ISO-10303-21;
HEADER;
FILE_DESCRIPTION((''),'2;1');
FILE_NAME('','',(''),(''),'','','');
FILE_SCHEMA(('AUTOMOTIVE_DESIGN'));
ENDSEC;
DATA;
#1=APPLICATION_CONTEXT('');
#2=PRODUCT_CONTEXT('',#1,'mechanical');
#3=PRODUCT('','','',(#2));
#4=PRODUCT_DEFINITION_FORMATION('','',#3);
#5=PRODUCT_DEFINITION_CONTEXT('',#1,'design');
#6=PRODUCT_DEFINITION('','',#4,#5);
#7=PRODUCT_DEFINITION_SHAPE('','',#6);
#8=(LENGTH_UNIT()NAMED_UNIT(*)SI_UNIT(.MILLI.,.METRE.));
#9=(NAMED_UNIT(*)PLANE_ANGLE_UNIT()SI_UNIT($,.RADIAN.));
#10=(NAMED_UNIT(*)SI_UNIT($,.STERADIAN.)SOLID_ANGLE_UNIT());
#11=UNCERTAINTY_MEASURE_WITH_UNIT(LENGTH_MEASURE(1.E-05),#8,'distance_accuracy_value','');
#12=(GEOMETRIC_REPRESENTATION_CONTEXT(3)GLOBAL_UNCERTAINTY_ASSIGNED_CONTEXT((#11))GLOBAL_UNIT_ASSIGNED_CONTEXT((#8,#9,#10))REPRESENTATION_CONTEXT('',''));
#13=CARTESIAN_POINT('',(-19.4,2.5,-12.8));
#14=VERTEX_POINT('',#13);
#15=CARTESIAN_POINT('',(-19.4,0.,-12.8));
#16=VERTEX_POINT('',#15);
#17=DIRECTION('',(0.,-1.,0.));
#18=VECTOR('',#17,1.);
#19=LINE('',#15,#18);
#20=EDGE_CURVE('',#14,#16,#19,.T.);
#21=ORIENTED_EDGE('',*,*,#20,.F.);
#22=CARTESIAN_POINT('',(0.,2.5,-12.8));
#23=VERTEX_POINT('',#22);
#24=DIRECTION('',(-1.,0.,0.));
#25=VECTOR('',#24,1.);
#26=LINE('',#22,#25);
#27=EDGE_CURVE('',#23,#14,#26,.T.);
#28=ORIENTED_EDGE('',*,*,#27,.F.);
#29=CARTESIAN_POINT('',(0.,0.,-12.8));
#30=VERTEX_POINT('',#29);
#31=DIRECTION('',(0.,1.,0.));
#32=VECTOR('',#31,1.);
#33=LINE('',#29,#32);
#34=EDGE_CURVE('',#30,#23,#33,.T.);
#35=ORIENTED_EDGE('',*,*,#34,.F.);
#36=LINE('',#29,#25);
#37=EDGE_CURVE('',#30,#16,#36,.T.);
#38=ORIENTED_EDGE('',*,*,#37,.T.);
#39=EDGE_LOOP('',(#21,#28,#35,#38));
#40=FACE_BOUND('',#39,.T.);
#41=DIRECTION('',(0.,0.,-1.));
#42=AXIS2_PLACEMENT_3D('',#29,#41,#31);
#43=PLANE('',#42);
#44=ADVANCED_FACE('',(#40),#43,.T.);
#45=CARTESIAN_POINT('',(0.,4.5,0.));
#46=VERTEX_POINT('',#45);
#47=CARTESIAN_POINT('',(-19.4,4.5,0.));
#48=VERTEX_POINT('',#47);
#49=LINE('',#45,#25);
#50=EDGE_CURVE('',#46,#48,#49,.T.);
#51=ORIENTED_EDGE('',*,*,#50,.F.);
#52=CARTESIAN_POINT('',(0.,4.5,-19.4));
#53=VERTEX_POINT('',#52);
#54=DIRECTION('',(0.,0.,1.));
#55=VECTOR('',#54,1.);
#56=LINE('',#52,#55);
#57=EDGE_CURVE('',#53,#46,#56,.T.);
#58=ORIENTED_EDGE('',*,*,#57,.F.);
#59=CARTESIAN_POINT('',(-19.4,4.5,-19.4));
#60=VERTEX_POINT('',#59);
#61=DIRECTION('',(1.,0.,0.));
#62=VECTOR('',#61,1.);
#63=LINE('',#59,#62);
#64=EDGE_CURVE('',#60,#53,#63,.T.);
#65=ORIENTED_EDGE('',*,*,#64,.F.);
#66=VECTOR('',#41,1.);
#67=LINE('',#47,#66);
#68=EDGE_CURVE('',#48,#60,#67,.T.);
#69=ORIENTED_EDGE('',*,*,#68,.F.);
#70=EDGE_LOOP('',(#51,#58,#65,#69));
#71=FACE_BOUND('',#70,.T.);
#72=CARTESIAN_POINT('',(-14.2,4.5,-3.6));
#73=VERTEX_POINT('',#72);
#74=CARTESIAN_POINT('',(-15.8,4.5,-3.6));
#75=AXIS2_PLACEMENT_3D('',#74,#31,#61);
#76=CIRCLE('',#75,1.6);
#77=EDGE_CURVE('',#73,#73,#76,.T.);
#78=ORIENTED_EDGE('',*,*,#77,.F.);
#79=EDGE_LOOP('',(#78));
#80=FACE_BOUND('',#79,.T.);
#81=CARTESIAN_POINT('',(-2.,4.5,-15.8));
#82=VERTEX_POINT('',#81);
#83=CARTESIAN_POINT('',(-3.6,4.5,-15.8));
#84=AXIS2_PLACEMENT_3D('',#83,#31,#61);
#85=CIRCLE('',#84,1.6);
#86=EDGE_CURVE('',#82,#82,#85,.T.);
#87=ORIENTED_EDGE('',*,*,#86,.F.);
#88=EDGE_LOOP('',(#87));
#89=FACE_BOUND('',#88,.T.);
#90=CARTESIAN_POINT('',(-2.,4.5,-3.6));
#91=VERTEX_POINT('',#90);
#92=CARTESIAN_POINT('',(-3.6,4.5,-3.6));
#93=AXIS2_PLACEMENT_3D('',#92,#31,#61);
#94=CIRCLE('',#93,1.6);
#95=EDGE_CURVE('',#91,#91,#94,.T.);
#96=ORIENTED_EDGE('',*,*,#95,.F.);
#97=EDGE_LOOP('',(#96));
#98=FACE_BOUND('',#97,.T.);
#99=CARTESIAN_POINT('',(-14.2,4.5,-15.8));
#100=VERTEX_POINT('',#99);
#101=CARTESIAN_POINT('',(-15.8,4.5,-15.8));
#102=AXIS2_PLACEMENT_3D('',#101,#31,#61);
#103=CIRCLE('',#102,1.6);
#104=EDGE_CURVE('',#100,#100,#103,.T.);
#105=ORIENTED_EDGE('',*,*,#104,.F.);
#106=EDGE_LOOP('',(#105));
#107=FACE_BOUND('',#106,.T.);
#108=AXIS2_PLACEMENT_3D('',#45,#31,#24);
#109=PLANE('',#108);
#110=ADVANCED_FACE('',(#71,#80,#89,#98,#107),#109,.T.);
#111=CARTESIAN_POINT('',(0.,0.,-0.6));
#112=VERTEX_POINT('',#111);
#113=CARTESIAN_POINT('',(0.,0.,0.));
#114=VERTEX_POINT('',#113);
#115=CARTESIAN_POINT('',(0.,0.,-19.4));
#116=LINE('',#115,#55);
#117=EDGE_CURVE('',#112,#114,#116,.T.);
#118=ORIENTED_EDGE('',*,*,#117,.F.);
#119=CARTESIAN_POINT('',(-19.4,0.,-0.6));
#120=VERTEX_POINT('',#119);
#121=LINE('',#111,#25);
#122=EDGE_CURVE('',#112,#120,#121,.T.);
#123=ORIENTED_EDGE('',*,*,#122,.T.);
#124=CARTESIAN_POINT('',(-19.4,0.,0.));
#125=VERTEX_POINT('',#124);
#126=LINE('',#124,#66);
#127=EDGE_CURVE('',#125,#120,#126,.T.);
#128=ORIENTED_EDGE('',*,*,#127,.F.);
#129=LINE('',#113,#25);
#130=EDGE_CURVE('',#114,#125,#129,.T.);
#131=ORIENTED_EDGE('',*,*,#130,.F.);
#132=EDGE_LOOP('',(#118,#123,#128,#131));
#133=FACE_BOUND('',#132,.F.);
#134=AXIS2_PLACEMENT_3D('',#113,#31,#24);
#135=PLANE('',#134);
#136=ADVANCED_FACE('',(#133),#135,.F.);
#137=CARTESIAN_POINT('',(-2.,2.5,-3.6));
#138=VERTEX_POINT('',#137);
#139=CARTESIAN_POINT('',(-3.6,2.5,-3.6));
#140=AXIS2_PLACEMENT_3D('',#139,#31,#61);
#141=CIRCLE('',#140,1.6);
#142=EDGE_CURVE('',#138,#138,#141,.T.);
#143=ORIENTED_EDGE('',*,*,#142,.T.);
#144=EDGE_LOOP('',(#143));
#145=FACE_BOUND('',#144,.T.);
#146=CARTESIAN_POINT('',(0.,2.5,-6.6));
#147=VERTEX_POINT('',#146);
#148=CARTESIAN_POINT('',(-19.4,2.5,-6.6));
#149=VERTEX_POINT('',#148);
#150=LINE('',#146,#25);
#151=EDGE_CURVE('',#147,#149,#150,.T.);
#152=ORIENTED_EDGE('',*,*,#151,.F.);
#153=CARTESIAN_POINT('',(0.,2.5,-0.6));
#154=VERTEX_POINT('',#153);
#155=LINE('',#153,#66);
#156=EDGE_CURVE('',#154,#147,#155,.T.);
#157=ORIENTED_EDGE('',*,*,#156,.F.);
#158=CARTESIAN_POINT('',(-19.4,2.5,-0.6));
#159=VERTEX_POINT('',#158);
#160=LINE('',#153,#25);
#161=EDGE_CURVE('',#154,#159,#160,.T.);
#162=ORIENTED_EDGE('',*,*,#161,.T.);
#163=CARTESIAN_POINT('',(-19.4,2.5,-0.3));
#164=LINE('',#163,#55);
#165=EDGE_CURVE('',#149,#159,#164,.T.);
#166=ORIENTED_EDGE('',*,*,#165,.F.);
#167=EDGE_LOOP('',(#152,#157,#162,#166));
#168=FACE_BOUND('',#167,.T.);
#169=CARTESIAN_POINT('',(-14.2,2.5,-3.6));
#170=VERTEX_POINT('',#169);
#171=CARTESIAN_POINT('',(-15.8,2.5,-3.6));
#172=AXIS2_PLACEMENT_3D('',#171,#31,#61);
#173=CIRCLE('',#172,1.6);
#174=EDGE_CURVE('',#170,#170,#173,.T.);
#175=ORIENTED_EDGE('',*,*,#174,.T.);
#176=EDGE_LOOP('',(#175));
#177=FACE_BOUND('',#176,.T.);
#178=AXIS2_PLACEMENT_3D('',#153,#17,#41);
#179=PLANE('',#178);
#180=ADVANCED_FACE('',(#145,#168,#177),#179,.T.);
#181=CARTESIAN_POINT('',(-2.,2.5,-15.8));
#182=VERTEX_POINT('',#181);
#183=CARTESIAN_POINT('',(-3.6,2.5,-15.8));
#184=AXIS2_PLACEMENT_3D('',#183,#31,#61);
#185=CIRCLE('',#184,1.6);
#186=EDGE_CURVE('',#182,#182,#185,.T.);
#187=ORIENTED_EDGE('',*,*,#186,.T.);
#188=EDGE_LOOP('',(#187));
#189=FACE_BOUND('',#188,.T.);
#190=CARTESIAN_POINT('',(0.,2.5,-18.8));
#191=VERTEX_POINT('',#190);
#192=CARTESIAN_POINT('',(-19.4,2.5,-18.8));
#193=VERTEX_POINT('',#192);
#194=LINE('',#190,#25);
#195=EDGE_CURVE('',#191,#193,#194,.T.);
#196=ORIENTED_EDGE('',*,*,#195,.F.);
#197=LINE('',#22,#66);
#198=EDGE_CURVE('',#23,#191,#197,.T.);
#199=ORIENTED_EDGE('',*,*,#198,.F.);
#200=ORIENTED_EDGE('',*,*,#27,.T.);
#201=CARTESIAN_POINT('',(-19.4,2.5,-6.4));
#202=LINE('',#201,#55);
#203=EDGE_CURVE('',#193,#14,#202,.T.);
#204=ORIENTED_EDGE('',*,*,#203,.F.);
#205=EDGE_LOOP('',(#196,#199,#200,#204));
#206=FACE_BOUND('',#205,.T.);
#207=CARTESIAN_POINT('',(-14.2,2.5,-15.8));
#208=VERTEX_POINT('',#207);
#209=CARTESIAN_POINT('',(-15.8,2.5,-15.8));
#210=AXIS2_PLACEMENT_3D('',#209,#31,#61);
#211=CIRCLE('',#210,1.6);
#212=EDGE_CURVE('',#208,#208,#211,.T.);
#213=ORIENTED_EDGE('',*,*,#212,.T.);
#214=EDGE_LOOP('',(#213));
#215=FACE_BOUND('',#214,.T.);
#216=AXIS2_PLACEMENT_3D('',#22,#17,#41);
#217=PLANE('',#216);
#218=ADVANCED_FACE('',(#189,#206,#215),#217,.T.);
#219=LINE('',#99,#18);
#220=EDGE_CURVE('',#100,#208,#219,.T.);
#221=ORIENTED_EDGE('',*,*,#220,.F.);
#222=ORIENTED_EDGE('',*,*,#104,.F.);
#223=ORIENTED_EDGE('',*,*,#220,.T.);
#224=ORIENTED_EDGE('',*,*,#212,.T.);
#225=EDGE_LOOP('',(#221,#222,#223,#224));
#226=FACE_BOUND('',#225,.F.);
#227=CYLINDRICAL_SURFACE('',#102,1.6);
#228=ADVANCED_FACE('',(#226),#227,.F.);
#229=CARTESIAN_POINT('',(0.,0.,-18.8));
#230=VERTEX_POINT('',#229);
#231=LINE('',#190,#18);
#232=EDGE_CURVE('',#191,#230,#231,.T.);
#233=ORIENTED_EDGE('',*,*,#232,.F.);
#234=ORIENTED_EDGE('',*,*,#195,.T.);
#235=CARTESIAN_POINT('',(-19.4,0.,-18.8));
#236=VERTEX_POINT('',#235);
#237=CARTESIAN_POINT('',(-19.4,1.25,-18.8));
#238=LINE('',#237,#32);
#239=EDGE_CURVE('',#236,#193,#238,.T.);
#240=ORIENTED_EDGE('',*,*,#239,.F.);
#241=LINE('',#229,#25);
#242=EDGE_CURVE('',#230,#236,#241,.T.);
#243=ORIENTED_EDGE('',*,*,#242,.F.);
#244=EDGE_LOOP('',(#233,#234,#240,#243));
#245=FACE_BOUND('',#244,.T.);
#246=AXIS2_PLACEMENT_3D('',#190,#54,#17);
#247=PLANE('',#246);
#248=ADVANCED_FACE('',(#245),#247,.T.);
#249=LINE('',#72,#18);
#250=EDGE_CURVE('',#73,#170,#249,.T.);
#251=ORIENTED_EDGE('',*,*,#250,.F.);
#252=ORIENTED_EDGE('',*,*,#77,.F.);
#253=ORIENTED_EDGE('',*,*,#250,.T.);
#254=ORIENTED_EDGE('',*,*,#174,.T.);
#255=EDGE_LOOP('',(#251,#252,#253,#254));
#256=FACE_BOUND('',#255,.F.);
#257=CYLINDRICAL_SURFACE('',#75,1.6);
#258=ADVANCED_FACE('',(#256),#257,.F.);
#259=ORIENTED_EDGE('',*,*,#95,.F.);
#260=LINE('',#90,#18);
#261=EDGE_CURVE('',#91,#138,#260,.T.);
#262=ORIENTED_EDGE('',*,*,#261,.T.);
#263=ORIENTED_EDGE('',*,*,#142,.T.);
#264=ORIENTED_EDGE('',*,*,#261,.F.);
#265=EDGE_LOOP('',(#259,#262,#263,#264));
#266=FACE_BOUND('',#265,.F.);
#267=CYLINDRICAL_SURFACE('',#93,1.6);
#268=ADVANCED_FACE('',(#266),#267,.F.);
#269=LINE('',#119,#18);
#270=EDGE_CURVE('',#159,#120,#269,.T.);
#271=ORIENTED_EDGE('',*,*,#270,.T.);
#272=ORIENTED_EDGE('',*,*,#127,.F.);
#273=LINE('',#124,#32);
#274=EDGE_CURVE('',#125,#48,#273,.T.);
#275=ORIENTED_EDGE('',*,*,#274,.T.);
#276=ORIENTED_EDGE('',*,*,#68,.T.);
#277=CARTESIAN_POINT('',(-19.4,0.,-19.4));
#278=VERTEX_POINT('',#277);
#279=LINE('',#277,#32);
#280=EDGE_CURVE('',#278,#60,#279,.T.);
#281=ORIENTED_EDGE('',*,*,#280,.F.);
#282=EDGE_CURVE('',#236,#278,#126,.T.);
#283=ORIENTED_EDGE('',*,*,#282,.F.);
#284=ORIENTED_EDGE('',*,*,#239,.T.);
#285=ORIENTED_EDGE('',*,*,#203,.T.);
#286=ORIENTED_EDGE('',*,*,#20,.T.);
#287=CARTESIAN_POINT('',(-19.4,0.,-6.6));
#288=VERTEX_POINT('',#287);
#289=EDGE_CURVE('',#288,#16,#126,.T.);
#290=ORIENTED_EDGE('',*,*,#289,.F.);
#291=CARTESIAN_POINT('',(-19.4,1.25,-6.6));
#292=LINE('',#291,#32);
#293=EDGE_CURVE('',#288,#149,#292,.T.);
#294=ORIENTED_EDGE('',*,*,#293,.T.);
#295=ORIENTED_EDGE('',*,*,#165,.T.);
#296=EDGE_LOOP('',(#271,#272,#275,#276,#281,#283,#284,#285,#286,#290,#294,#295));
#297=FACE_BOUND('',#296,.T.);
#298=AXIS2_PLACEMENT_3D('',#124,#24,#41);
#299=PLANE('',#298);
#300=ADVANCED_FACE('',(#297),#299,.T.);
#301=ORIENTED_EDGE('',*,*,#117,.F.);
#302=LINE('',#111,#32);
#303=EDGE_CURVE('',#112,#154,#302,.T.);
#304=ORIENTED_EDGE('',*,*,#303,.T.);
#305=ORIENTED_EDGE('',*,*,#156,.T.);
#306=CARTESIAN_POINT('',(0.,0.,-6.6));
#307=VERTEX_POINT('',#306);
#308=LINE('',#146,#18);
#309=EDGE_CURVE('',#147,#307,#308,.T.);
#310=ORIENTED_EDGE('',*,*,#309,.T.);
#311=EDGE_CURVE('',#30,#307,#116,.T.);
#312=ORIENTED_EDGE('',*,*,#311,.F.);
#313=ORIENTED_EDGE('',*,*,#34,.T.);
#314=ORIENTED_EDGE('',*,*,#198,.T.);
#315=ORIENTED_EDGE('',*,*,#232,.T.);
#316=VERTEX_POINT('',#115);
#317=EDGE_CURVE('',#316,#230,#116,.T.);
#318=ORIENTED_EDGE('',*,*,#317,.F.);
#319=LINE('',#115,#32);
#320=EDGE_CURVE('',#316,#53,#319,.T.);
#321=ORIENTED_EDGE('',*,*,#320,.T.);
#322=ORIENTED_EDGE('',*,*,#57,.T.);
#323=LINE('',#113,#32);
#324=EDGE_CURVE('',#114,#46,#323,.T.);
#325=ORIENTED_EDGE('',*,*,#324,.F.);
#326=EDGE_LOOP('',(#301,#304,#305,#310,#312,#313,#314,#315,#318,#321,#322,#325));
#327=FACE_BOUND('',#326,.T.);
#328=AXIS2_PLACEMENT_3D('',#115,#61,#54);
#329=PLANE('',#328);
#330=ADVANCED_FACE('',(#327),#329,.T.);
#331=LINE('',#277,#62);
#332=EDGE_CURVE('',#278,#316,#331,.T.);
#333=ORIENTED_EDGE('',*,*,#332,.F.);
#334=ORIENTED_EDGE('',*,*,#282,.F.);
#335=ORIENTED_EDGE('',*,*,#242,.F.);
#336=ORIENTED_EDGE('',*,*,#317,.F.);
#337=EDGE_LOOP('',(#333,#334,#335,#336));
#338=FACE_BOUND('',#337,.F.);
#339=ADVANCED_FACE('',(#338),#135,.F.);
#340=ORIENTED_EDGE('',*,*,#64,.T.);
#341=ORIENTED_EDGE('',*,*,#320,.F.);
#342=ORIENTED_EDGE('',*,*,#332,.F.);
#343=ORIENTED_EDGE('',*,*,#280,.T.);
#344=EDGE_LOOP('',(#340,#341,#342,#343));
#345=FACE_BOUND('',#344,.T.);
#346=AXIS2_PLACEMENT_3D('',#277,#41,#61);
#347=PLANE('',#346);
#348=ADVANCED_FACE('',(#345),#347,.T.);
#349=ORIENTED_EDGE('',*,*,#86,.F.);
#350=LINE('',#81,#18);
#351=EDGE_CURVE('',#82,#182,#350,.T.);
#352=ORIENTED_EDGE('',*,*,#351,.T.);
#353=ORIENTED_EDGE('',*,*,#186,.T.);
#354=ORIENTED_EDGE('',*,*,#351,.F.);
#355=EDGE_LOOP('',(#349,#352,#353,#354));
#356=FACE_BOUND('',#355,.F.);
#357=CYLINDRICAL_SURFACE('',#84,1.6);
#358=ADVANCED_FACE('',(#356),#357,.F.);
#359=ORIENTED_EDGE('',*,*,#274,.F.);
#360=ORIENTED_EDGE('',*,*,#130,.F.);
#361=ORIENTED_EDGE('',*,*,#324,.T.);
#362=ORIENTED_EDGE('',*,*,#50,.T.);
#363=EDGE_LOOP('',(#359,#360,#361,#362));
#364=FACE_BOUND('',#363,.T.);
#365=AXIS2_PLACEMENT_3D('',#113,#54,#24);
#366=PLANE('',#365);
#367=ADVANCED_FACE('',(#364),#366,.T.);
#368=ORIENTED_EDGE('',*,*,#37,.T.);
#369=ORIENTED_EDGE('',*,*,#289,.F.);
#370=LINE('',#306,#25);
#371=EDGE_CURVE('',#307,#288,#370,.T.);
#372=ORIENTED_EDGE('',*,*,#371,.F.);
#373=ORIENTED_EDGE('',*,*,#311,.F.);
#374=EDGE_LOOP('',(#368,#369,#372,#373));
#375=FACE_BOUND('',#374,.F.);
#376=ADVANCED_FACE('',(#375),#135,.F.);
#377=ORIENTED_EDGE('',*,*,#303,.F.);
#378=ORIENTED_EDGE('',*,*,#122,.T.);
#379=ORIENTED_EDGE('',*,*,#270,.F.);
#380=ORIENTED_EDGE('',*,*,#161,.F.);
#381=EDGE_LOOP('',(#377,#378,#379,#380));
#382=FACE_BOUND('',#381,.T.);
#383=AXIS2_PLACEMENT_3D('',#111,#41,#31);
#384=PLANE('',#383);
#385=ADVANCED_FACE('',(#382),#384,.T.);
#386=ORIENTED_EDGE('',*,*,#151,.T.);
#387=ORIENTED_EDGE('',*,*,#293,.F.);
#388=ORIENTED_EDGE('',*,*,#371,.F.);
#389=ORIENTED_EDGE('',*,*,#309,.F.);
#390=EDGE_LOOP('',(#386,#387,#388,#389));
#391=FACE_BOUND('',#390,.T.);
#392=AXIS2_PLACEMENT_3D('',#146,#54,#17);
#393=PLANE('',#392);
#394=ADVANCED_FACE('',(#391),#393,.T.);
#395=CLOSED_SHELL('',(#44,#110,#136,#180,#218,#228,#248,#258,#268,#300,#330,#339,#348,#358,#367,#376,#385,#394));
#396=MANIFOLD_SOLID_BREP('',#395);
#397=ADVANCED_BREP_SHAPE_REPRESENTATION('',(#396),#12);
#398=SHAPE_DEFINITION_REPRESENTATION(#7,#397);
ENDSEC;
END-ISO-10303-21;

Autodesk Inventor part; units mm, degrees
ref_plane "YZ Plane" through (0, 0, 0) normal (1, 0, 0) x (0, 1, 0)
ref_plane "XZ Plane" through (0, 0, 0) normal (0, 1, 0) x (-1, 0, 0)
ref_plane "XY Plane" through (0, 0, 0) normal (0, 0, 1) x (1, 0, 0)
sketch "Sketch1" plane through (0, 0, 0) normal (0, 1, 0) x (-1, 0, 0)
  line L0 (0, 0) -> (19.4, 0)
  line L1 (19.4, 0) -> (19.4, -19.4)
  line L2 (19.4, -19.4) -> (0, -19.4)
  line L3 (0, -19.4) -> (0, 0)
  dimension "d0" = 19.4
  dimension "d1" = 19.4
extrude "Extrusion1" add sketch "Sketch1" along normal blind 4.5
sketch "Sketch2" plane through (0, 4.5, 0) normal (0, 1, 0) x (1, 0, 0)
  circle A0 centre (-3.6, 3.6) radius 1.6
  line L0 (-19.4, 0) -> (0, 0) projected
  line L1 (0, 0) -> (0, 19.4) projected
  dimension "d4" = 3.2
  dimension "d5" = 3.6
  dimension "d6" = 3.6
extrude "Extrusion2" cut sketch "Sketch2" against normal through all
pattern_linear "Rectangular Pattern1" count 2 spacing 12.2 along (0, 0, -1) count 2 spacing 12.2 along (-1, 0, 0) of "Extrusion2"
sketch "Sketch3" plane through (0, 0, 0) normal (1, 0, 0) x (0, 0, -1)
  line L0 (0.6, 2.5) -> (6.6, 2.5)
  line L1 (6.6, 2.5) -> (6.6, 0)
  line L2 (6.6, 0) -> (0.6, 0)
  line L3 (0.6, 0) -> (0.6, 2.5)
  line L4 (0, 0) -> (0, 4.5) projected
  line L5 (0, 0) -> (19.4, 0) projected
  line L6 (12.8, 2.5) -> (18.8, 2.5)
  line L7 (18.8, 2.5) -> (18.8, 0)
  line L8 (18.8, 0) -> (12.8, 0)
  line L9 (12.8, 0) -> (12.8, 2.5)
  line L10 (19.4, 0) -> (19.4, 4.5) projected
  dimension "d15" = 6
  dimension "d16" = 2.5
  dimension "d17" = 0.6
  dimension "d18" = 6
  dimension "d19" = 2.5
  dimension "d20" = 0.6
extrude "Extrusion3" cut sketch "Sketch3" against normal through all
properties part number "INTERFACE_MANIFOLD_KORK"
